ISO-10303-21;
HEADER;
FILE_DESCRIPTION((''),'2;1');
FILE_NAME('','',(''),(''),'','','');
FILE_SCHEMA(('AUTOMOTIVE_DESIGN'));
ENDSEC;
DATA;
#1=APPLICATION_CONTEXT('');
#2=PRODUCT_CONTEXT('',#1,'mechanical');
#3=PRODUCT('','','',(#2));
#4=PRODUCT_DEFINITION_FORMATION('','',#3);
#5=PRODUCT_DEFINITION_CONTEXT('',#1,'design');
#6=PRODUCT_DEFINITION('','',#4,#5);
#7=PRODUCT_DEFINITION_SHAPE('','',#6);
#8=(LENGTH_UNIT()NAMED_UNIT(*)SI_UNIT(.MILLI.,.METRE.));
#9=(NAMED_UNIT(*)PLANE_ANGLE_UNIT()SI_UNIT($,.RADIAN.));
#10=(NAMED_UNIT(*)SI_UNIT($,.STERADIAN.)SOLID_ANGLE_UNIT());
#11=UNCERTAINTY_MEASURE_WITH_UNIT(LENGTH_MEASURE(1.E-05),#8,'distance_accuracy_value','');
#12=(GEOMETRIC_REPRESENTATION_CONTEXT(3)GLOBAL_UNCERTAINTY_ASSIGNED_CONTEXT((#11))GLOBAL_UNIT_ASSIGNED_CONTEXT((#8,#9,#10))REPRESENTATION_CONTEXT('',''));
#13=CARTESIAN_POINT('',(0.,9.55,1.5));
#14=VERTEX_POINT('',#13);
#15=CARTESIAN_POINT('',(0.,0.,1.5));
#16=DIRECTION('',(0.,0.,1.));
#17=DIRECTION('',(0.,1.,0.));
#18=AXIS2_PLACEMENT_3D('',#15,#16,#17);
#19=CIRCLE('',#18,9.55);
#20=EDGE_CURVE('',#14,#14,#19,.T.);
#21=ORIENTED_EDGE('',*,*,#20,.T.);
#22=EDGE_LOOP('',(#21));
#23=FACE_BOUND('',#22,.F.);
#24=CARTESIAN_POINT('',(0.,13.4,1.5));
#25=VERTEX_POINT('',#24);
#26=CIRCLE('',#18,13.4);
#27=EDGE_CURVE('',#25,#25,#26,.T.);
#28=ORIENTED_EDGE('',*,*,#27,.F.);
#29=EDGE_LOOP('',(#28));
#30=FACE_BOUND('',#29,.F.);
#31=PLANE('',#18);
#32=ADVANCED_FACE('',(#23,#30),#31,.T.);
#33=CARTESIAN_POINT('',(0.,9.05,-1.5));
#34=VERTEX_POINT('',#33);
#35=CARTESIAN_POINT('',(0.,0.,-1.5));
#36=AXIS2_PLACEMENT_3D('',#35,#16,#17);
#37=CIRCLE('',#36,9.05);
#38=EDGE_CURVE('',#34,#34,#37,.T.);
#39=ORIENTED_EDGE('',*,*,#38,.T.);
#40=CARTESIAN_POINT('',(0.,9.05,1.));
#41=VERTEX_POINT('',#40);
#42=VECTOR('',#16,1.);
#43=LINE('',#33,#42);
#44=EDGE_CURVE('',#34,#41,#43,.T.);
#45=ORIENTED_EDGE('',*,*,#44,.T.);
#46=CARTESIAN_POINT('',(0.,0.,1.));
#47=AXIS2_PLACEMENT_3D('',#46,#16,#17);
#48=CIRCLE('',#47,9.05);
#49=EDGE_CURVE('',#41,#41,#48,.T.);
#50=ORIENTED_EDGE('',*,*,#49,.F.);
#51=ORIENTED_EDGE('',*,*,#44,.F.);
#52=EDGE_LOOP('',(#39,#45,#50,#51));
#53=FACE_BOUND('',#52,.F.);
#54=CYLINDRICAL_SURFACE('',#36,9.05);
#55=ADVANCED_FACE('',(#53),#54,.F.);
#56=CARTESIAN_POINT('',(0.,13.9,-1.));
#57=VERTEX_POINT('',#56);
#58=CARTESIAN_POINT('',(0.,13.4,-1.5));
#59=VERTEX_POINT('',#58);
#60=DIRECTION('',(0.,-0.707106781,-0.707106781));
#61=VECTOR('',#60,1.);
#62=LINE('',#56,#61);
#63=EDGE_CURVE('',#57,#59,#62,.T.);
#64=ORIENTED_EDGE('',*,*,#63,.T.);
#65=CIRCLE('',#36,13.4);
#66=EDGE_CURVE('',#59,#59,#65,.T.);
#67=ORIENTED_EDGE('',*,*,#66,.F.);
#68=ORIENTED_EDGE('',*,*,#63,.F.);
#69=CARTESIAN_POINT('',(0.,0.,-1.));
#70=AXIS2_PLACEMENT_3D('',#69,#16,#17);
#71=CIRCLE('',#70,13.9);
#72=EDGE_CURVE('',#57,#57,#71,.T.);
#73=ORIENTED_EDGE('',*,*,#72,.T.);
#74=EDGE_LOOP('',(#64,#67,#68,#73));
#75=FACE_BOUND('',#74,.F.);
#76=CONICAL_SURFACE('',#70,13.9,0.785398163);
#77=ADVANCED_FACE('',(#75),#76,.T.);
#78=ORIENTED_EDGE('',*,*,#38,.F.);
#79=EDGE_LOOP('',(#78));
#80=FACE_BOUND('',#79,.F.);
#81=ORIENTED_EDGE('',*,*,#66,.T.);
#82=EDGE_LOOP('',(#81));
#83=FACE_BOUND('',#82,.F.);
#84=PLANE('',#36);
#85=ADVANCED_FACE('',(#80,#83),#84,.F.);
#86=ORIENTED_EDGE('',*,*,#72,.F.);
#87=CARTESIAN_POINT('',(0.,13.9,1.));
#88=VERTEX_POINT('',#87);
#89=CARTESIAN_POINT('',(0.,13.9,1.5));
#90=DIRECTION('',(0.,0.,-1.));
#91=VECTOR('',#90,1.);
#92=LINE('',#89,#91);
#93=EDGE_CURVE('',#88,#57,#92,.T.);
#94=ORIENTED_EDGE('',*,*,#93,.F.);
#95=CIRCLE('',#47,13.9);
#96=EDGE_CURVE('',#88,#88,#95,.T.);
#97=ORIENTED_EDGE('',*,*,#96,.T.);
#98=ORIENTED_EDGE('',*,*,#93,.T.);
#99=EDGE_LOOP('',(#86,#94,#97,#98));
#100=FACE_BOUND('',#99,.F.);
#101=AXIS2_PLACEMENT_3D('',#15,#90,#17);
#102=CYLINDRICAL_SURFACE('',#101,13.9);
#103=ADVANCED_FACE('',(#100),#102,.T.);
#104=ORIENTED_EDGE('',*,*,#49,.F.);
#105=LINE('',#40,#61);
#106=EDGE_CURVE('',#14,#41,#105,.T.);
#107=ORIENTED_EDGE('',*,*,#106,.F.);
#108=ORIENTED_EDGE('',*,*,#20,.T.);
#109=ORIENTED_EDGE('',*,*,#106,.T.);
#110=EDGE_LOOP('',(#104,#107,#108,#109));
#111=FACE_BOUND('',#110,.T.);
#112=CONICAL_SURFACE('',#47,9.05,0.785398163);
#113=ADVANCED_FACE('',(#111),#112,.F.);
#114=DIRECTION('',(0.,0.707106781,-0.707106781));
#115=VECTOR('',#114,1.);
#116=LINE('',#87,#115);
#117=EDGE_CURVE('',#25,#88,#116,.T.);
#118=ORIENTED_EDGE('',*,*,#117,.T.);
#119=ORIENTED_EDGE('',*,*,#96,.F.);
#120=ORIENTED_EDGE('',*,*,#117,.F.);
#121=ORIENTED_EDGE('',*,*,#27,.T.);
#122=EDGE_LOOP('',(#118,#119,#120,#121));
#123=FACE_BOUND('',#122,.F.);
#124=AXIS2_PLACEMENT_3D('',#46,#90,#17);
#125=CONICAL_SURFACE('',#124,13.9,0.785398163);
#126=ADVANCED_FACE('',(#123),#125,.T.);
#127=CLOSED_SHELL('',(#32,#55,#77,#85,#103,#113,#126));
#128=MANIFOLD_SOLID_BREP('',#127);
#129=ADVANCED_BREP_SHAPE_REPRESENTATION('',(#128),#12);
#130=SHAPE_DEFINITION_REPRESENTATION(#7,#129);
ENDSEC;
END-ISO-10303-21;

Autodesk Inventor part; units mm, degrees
ref_plane "YZ Plane" through (0, 0, 0) normal (1, 0, 0) x (0, 1, 0)
ref_plane "XZ Plane" through (0, 0, 0) normal (0, 1, 0) x (-1, 0, 0)
ref_plane "XY Plane" through (0, 0, 0) normal (0, 0, 1) x (1, 0, 0)
sketch "Sketch1" plane through (0, 0, 0) normal (1, 0, 0) x (0, 1, 0)
  line L0 (9.05, 1.5) -> (13.9, 1.5)
  line L1 (13.9, 1.5) -> (13.9, -1.5)
  line L2 (13.9, -1.5) -> (9.05, -1.5)
  line L3 (9.05, -1.5) -> (9.05, 1.5)
  line L4 (0, 0) -> (0, 7.1072) construction
  point P0 (9.05, 0)
  dimension "d0" = 27.8
  dimension "d1" = 18.1
  dimension "d2" = 3
revolve "Revolution1" add sketch "Sketch1" angle 360 about axis through (0, 0, 0) along (0, 0, 1)
chamfer "Chamfer1" distance 0.5 angle 45 3 edges at (0, -13.9, -1.5) (0, -13.9, 1.5) (0, -9.05, 1.5)
properties part number "boron-target-grooved-spacer" material "Stainless Steel"
